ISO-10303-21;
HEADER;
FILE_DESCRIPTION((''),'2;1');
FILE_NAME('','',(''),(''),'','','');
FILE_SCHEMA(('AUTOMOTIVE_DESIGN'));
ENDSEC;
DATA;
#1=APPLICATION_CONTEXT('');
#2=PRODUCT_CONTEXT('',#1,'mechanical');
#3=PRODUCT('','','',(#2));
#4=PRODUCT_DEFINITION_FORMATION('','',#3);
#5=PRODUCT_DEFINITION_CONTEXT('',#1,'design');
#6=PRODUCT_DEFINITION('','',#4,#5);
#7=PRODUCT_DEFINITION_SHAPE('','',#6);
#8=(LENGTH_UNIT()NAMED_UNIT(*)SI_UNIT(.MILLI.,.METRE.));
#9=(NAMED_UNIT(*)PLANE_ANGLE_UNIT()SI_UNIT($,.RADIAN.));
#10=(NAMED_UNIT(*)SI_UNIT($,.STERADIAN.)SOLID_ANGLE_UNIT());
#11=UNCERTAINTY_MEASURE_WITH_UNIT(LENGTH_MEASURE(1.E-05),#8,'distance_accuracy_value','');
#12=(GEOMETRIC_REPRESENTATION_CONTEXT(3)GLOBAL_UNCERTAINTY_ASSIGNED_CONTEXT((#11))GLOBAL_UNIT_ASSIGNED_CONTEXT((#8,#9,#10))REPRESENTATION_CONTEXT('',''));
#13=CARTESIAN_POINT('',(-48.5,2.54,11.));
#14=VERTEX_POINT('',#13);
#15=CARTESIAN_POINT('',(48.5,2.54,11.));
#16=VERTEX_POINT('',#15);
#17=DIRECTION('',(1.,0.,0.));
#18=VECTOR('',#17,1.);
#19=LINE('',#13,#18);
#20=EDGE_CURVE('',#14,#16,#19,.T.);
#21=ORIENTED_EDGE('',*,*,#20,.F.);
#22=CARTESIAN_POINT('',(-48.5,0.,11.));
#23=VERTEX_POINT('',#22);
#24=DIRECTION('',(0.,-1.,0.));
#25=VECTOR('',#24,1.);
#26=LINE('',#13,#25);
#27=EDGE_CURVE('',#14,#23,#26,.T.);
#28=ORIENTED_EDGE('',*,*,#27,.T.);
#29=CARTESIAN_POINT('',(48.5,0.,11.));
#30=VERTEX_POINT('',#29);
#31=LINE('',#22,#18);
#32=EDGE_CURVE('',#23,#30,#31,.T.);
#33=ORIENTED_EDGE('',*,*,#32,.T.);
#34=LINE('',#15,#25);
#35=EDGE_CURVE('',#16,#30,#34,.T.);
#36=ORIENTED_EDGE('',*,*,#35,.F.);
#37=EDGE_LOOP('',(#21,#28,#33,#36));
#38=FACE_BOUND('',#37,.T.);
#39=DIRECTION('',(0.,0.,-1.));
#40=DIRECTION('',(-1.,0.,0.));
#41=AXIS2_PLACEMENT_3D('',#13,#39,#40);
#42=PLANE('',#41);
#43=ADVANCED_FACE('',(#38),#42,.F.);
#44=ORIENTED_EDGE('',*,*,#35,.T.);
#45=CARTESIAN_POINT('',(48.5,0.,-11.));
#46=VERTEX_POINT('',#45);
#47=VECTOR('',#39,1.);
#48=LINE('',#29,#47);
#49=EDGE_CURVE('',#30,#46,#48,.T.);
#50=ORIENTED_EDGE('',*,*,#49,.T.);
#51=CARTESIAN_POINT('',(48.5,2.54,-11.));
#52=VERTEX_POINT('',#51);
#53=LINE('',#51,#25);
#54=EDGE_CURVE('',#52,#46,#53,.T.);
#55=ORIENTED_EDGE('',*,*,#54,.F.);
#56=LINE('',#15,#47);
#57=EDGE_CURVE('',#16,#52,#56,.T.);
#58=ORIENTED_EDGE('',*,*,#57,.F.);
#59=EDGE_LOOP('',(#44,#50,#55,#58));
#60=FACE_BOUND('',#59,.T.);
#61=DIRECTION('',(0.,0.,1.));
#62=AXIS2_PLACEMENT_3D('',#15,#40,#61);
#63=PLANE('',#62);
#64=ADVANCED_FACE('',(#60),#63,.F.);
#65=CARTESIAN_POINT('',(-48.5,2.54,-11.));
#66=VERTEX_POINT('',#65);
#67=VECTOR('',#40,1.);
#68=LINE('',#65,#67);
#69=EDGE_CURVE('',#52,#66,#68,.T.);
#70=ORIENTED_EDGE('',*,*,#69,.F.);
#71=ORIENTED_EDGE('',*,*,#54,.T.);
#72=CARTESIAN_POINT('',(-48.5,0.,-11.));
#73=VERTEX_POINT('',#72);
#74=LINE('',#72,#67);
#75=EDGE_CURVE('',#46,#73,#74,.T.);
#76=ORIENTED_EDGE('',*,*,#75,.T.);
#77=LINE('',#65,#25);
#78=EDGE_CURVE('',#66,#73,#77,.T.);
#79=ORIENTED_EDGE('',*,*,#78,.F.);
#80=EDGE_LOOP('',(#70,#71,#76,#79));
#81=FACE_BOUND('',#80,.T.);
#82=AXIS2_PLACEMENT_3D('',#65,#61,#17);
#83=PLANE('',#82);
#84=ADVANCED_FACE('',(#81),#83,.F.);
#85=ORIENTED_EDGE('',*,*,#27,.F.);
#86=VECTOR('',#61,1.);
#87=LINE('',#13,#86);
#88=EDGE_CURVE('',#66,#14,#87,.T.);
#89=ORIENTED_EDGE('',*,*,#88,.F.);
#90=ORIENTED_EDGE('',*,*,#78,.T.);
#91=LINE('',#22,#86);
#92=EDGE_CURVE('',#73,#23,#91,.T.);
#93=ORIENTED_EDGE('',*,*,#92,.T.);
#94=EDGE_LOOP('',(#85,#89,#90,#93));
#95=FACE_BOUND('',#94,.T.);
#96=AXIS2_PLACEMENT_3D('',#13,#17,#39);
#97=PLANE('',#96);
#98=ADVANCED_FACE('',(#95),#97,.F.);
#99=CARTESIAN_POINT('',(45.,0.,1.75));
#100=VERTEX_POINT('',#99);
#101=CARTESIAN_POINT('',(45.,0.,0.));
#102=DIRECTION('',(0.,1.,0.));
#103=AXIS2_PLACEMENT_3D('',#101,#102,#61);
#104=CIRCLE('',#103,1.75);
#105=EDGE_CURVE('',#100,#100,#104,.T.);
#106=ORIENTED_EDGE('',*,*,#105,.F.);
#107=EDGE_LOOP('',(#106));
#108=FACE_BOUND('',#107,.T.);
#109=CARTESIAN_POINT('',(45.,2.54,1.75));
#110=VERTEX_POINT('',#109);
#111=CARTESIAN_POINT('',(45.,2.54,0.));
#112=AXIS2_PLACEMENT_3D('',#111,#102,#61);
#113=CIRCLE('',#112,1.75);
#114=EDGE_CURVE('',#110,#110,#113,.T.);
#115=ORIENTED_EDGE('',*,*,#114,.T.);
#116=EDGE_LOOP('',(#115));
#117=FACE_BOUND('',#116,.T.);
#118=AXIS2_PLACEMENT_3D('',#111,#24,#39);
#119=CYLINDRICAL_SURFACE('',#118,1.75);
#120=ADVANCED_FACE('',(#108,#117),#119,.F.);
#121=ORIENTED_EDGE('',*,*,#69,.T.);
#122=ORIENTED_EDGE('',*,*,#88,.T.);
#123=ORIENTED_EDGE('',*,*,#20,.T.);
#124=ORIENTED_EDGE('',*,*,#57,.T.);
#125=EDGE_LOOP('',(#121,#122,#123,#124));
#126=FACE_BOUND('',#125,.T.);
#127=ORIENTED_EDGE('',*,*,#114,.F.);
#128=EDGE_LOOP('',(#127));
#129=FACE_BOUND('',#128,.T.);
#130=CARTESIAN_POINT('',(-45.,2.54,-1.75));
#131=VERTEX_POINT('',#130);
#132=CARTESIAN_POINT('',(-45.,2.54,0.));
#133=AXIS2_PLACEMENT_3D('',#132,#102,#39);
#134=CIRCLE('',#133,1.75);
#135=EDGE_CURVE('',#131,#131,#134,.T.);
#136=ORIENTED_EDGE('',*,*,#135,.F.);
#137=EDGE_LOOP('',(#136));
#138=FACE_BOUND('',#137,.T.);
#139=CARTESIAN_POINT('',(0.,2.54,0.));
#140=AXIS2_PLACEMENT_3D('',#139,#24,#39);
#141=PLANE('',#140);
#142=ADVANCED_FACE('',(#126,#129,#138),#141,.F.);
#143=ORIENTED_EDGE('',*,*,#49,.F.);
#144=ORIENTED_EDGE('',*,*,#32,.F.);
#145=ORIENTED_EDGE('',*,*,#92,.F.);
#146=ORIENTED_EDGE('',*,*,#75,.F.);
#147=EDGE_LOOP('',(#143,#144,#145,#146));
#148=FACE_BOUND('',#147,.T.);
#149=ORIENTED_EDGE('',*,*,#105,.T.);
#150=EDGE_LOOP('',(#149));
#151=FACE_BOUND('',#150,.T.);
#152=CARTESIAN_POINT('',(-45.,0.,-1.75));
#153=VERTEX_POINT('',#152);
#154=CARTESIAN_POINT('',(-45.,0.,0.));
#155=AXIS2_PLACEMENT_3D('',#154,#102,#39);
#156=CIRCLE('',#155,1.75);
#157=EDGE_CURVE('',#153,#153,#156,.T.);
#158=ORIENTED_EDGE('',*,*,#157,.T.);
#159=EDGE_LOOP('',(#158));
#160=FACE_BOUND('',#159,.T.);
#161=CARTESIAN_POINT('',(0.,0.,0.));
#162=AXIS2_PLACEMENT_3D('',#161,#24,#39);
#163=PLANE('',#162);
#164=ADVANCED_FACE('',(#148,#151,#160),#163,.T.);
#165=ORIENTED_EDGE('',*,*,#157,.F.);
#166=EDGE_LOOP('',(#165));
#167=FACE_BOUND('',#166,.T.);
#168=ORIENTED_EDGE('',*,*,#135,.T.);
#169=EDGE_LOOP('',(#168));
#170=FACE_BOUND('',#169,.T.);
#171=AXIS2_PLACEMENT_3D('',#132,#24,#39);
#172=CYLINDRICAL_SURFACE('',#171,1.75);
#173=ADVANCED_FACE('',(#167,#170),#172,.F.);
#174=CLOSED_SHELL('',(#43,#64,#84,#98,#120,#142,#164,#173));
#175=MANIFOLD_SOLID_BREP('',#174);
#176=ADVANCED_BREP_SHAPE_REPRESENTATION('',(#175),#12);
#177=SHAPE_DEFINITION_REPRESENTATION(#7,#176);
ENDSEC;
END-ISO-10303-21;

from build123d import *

# Parameters (mm, degrees)
SKETCH2_W           = 97
SKETCH2_H           = 22
SKETCH2_R           = 1.75
BOSS_EXTRUDE1_DEPTH = 2.54


with BuildPart() as part:
    # Sketch2 → Boss-Extrude1 (new body)
    with BuildSketch(Plane(origin=(0, 0, 0), x_dir=(1, 0, 0), z_dir=(0, 1, 0))):
        Rectangle(SKETCH2_W, SKETCH2_H)
        with Locations((45, 0)):
            Circle(SKETCH2_R, mode=Mode.SUBTRACT)
        with Locations((-45, 0)):
            Circle(SKETCH2_R, mode=Mode.SUBTRACT)
    extrude(amount=BOSS_EXTRUDE1_DEPTH)


solid = part.part
